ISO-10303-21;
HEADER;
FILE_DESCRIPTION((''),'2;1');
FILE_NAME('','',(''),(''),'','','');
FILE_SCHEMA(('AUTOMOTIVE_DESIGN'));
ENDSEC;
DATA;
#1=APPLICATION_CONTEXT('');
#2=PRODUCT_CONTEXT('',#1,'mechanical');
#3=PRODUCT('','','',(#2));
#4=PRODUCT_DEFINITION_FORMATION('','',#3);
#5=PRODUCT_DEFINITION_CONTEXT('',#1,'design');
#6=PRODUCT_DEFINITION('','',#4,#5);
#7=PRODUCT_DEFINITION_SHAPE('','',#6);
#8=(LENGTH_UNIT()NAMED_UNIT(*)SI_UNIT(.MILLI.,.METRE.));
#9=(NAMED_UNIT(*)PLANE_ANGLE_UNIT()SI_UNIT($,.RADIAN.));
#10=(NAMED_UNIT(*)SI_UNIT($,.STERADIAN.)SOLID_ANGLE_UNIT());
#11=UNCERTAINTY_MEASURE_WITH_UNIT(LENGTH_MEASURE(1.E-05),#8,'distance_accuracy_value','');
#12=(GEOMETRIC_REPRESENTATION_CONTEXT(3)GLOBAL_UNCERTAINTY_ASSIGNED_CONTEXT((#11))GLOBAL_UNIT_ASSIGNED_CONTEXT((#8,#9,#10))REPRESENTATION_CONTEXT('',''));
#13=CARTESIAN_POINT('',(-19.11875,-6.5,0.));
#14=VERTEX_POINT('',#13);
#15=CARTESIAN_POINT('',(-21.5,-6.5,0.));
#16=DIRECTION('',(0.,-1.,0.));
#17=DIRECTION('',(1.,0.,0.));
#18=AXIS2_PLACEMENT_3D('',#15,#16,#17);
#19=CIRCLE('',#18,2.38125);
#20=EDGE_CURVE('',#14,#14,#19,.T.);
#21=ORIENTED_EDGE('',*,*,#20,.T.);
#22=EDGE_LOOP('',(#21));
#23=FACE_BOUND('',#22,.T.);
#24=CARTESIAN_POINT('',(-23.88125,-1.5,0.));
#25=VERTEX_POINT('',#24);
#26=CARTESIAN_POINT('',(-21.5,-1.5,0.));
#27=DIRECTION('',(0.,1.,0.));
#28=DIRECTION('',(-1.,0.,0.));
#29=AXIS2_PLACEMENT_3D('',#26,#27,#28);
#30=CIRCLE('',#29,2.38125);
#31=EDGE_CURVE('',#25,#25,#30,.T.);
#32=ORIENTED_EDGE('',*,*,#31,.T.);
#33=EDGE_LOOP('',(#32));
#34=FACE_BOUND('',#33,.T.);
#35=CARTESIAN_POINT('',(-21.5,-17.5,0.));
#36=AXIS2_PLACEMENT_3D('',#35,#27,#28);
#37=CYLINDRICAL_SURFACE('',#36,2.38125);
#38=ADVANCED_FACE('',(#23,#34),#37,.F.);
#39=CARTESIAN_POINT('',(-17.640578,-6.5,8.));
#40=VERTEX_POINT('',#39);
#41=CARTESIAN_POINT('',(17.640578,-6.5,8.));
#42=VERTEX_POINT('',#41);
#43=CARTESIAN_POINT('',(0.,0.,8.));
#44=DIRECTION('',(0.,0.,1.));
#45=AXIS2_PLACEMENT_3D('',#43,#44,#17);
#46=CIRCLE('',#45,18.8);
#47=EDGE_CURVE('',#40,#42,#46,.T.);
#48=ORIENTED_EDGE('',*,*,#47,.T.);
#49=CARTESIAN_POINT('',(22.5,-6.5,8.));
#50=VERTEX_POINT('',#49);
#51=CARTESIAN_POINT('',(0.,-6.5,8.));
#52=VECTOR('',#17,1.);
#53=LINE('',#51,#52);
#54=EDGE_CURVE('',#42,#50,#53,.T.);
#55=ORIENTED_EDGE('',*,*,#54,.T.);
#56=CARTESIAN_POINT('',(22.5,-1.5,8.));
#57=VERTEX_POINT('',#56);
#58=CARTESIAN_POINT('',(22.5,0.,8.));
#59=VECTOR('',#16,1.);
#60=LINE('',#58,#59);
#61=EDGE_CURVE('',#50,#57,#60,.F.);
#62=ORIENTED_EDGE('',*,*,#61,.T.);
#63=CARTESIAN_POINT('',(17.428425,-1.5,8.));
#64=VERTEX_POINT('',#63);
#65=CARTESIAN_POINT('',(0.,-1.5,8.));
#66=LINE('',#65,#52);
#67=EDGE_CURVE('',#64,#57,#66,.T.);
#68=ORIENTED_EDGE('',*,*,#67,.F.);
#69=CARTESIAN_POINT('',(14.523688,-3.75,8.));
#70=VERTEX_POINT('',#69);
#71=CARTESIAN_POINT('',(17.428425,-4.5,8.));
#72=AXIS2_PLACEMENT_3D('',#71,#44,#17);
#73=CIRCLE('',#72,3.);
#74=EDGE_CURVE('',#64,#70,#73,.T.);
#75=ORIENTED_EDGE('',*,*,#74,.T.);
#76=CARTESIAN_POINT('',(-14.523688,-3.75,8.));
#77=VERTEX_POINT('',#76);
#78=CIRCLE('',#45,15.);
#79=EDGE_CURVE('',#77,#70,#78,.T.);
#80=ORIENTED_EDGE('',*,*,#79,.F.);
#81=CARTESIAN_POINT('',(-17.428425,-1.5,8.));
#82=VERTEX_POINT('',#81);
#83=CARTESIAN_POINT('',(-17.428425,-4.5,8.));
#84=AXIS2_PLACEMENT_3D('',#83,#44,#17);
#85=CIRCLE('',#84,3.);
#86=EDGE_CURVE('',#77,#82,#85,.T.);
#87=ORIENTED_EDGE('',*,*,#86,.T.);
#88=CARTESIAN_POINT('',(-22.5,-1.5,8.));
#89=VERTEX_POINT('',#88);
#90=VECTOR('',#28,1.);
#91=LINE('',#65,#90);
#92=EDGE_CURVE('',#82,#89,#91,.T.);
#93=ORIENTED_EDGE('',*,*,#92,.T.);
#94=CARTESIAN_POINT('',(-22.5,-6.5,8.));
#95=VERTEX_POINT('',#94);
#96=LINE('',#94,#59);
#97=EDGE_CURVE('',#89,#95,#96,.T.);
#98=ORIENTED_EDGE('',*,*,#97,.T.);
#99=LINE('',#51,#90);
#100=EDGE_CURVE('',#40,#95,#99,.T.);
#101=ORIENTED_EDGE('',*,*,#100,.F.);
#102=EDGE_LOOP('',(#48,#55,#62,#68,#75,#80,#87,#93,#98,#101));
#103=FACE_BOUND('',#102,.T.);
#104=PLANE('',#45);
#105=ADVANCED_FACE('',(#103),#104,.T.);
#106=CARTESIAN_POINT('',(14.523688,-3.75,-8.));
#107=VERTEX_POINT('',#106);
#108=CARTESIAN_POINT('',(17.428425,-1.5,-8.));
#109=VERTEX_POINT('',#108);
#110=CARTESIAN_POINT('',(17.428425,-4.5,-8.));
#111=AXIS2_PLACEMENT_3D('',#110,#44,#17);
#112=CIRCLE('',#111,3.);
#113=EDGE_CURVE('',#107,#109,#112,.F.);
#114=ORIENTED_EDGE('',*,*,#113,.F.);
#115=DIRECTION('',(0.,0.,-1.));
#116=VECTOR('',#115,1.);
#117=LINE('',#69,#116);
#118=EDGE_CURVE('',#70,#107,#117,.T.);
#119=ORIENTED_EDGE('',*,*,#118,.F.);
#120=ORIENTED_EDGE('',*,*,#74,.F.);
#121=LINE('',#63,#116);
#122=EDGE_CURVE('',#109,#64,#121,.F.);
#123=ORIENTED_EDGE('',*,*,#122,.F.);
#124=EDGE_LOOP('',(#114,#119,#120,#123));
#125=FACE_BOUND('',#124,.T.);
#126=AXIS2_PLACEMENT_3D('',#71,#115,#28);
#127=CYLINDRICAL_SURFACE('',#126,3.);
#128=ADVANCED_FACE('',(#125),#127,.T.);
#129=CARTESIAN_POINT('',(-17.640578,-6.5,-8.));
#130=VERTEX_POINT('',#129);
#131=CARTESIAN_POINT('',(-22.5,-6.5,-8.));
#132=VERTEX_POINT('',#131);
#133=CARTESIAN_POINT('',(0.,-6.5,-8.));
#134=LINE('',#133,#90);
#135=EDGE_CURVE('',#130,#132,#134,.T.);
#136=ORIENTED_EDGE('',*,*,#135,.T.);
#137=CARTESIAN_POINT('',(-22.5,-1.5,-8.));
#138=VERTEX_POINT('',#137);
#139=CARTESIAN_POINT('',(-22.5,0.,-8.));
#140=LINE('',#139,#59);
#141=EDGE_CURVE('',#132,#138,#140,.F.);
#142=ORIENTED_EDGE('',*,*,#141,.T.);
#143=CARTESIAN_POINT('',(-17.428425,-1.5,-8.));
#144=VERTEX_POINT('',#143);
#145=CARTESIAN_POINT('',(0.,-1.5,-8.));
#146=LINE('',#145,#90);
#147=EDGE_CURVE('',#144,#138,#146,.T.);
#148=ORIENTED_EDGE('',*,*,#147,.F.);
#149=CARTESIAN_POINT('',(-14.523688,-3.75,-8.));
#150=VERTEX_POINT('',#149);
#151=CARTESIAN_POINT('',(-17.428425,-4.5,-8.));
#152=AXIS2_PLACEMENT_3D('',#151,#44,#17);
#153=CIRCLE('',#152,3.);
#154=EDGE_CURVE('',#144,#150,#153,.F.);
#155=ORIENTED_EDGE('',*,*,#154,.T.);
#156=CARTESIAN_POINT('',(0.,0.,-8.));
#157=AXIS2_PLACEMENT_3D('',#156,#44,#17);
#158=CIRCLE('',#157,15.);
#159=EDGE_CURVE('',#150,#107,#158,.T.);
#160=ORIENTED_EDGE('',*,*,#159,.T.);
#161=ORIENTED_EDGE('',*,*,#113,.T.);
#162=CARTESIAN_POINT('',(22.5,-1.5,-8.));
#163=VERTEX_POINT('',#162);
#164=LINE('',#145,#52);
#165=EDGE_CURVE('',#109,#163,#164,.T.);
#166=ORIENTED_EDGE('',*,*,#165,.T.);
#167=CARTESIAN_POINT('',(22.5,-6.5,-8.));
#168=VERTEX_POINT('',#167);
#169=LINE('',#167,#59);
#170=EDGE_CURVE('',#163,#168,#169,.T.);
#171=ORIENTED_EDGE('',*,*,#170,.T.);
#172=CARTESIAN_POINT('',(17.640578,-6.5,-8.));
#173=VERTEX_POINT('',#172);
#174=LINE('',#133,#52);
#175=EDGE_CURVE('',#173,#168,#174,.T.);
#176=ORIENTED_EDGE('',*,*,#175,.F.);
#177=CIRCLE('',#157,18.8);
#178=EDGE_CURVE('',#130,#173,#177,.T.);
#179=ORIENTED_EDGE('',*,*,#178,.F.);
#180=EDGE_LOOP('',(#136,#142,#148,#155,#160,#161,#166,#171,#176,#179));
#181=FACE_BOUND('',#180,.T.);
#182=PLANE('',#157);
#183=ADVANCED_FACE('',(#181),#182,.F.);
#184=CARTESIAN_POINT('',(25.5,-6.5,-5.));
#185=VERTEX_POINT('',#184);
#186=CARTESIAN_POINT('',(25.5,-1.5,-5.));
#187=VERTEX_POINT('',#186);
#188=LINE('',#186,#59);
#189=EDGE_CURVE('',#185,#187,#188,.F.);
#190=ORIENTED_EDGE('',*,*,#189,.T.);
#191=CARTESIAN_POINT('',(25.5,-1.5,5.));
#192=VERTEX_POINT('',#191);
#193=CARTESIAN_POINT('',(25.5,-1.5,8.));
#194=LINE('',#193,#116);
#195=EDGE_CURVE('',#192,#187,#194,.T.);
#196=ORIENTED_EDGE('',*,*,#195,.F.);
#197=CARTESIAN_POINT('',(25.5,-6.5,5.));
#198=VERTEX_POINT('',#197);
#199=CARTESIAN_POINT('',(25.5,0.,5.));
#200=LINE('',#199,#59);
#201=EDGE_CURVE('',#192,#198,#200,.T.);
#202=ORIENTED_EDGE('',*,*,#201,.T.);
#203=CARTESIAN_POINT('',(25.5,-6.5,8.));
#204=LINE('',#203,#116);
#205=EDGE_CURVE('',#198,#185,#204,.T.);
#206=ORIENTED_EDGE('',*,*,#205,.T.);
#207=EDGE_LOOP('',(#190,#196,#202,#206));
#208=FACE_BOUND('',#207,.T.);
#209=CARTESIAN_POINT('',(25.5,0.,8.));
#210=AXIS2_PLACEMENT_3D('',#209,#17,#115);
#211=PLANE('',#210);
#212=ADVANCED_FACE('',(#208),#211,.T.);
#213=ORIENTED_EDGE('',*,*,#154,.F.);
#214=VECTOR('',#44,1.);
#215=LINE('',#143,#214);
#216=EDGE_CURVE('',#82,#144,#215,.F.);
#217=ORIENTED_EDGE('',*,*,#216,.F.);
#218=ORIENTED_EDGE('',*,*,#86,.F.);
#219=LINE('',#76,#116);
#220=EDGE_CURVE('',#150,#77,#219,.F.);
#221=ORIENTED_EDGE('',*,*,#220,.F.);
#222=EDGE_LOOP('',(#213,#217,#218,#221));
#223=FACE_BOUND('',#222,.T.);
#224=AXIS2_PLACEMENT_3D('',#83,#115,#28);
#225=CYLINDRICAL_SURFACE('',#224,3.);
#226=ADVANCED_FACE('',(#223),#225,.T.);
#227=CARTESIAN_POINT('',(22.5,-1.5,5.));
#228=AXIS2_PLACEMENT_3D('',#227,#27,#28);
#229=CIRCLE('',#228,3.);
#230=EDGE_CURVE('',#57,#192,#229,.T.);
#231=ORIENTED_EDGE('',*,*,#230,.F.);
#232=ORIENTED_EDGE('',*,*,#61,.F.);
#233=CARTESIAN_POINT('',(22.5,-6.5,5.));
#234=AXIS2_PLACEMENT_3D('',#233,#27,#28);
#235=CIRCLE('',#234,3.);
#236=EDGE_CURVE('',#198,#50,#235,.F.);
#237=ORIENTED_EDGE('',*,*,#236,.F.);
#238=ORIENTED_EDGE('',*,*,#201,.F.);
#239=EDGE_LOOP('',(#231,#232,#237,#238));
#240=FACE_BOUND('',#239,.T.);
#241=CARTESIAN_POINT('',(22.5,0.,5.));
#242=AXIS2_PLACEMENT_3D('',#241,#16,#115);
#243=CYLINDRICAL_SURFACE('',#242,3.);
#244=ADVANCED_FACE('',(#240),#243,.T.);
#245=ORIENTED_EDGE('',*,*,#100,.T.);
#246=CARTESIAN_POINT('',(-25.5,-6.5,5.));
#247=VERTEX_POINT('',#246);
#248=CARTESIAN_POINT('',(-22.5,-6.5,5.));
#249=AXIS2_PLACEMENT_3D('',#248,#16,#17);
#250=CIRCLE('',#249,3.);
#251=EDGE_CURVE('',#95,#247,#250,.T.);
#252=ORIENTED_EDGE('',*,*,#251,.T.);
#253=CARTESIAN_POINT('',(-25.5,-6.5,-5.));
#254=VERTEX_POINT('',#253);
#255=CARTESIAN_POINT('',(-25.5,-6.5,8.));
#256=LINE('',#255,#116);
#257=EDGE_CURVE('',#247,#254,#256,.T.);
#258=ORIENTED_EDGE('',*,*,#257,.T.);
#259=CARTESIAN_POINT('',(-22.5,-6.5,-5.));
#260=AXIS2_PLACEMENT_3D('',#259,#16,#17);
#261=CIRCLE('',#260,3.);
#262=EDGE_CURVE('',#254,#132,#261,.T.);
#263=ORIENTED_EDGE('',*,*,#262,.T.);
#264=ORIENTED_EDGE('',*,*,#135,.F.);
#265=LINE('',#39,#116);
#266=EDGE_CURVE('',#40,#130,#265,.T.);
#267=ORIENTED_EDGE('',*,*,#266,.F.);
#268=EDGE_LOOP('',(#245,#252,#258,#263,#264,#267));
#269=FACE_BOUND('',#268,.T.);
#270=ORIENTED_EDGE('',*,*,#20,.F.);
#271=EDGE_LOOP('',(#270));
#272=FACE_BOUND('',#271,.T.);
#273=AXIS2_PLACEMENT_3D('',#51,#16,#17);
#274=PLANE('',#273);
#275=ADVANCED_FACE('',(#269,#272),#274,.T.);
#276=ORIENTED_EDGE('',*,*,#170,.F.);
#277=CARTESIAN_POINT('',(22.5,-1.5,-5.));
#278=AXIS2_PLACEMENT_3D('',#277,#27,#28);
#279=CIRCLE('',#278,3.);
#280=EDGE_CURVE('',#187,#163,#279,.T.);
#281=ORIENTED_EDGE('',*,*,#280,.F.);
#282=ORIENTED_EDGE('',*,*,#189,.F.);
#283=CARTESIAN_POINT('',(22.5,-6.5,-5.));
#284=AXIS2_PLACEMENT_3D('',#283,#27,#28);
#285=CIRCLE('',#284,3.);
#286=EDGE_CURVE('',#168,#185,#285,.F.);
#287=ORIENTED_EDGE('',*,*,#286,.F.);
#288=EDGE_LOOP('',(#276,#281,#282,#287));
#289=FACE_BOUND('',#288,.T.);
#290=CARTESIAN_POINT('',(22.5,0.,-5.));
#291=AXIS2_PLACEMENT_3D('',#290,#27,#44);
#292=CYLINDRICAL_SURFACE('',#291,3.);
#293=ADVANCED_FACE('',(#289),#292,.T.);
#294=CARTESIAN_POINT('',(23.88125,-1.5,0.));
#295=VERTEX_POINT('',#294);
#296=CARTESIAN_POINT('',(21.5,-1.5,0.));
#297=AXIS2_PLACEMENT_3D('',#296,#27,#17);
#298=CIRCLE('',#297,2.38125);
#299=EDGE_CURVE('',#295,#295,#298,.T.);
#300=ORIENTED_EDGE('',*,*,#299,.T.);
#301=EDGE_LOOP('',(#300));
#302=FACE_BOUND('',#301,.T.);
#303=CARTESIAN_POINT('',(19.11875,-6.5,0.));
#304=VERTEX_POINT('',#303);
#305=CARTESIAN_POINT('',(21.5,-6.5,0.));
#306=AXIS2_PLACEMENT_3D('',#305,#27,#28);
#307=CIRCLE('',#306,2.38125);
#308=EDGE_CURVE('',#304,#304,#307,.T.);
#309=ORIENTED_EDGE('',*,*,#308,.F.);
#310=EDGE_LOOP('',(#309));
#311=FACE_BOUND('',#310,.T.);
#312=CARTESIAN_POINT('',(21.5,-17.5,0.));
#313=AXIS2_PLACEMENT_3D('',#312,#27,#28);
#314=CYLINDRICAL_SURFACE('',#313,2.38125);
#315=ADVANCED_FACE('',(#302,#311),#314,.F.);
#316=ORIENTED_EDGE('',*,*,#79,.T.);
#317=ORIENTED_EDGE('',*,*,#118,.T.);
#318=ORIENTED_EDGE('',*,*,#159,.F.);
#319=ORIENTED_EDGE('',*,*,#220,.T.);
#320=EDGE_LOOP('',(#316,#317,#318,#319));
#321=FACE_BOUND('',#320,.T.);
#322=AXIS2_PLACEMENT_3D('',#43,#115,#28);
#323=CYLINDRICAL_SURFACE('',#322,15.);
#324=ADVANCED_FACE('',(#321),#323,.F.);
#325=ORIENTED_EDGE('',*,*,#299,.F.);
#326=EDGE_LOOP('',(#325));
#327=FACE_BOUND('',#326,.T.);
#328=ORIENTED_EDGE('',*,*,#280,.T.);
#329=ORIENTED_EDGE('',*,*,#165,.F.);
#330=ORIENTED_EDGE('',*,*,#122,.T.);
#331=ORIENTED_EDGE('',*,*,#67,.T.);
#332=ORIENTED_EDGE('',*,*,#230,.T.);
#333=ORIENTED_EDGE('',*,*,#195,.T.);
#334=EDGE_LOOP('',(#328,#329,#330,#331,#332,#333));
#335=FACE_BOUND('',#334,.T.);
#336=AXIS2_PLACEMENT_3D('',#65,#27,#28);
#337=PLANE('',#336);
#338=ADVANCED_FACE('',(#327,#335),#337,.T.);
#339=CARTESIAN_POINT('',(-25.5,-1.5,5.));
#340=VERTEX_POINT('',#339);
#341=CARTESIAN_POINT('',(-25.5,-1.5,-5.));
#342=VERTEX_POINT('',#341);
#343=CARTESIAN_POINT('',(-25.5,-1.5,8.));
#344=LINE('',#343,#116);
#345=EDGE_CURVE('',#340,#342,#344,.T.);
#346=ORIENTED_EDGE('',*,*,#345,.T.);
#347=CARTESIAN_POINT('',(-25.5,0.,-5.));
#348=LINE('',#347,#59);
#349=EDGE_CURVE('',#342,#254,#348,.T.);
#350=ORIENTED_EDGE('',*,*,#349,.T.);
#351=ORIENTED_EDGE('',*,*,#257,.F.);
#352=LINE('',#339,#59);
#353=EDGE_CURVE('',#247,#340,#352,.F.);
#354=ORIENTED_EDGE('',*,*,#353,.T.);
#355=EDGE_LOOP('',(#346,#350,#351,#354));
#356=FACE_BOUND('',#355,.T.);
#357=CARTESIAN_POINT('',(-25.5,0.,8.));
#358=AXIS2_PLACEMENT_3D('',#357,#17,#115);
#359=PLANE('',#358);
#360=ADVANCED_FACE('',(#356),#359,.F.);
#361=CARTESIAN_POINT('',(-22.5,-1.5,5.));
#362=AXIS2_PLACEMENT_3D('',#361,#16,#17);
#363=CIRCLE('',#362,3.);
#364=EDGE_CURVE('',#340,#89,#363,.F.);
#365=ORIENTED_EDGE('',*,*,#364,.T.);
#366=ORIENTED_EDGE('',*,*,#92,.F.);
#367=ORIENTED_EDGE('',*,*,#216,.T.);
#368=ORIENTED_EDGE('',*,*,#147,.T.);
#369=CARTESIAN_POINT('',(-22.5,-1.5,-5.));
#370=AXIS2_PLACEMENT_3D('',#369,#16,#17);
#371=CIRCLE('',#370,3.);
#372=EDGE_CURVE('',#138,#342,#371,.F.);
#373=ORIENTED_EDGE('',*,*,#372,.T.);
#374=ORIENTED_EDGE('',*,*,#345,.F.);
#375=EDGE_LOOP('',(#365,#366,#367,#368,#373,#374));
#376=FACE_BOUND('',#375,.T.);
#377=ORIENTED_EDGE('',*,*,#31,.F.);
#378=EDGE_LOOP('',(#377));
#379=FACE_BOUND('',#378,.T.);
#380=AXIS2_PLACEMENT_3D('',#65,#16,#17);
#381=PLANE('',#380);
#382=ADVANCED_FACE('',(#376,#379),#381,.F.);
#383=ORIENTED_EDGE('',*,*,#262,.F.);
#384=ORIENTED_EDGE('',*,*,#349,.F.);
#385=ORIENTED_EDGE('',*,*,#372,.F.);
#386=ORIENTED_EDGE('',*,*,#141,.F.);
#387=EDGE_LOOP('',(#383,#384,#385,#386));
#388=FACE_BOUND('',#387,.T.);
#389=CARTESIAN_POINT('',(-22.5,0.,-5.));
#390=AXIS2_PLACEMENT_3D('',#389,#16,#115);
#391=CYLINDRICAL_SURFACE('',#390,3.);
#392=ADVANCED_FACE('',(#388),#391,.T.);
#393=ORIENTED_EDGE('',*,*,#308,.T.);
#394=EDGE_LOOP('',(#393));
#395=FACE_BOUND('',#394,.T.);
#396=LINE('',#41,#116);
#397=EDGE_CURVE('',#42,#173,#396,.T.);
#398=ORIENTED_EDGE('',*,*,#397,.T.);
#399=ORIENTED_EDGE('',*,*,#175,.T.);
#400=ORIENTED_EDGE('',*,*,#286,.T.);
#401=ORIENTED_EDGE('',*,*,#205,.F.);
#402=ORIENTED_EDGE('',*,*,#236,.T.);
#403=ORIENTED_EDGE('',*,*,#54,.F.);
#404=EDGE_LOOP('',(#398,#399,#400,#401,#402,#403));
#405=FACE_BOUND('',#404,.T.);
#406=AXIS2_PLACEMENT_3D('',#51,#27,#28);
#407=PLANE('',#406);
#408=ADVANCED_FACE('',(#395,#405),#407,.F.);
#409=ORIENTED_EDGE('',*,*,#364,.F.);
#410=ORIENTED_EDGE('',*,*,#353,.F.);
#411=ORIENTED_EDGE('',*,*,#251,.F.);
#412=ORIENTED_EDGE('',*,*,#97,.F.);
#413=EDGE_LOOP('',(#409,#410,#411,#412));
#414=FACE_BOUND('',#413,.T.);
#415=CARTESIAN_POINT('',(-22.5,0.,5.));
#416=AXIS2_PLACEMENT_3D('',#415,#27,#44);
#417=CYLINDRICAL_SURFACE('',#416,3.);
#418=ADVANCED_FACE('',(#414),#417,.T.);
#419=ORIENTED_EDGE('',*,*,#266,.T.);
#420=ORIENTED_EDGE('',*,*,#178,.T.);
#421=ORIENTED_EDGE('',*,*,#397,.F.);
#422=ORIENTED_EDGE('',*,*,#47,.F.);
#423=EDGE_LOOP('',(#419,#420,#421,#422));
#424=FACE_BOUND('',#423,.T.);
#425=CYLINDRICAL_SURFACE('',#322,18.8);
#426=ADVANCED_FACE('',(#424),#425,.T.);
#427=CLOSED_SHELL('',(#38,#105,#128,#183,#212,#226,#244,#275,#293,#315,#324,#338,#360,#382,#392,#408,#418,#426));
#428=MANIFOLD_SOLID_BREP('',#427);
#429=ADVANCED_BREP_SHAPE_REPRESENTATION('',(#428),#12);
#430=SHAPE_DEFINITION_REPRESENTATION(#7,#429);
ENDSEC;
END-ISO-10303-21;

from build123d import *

# Parameters (mm, degrees)
SALIENTE_EXTRUIR1_DEPTH = 8
CROQUIS2_R              = 2.38125
CORTAR_EXTRUIR1_DEPTH   = 16
REDONDEO1_R             = 3


with BuildPart() as part:
    # Croquis1 → Saliente-Extruir1 (new, symmetric)
    with BuildSketch(Plane.XY):
        with BuildLine():
            Line((25.5, -1.5), (18.740064034, -1.5))
            ThreePointArc((18.740064034, -1.5), (18.361312119, -4.037600434), (17.640578222, -6.5))
            Line((17.640578222, -6.5), (25.5, -6.5))
            Line((25.5, -6.5), (25.5, -1.5))
        make_face()
        with BuildLine():
            Line((18.740064034, -1.5), (14.924811557, -1.5))
            ThreePointArc((14.924811557, -1.5), (14.43972216, -4.06133278), (13.518505835, -6.5))
            Line((13.518505835, -6.5), (17.640578222, -6.5))
            ThreePointArc((17.640578222, -6.5), (18.361312119, -4.037600434), (18.740064034, -1.5))
        make_face()
        with BuildLine():
            ThreePointArc((13.518505835, -6.5), (0, -15), (-13.518505835, -6.5))
            Line((-13.518505835, -6.5), (-17.640578222, -6.5))
            ThreePointArc((-17.640578222, -6.5), (0, -18.8), (17.640578222, -6.5))
            Line((17.640578222, -6.5), (13.518505835, -6.5))
        make_face()
        with BuildLine():
            ThreePointArc((-13.518505835, -6.5), (-14.43972216, -4.06133278), (-14.924811557, -1.5))
            Line((-14.924811557, -1.5), (-18.740064034, -1.5))
            ThreePointArc((-18.740064034, -1.5), (-18.361312119, -4.037600434), (-17.640578222, -6.5))
            Line((-17.640578222, -6.5), (-13.518505835, -6.5))
        make_face()
        with BuildLine():
            ThreePointArc((-17.640578222, -6.5), (-18.361312119, -4.037600434), (-18.740064034, -1.5))
            Line((-18.740064034, -1.5), (-25.5, -1.5))
            Line((-25.5, -1.5), (-25.5, -6.5))
            Line((-25.5, -6.5), (-17.640578222, -6.5))
        make_face()
    extrude(amount=SALIENTE_EXTRUIR1_DEPTH, both=True)

    # Croquis2 → Cortar-Extruir1 (cut)
    with BuildSketch(Plane(origin=(0, -1.5, 0), x_dir=(1, 0, 0), z_dir=(0, 1, 0))):
        with Locations(Location((-21.5, 0, 0), (0, 0, 180))):
            Circle(CROQUIS2_R)
        with Locations(Location((21.5, 0, 0), (0, 0, 180))):
            Circle(CROQUIS2_R)
    extrude(amount=-CORTAR_EXTRUIR1_DEPTH, mode=Mode.SUBTRACT)

    # Redondeo1
    redondeo1_edges = [part.edges().sort_by_distance(p)[0] for p in [
        (25.5, -4, -8),
        (-25.5, -4, -8),
        (-14.924811557, -1.5, 0),
        (14.924811557, -1.5, 0),
        (-25.5, -4, 8),
        (25.5, -4, 8),
    ]]
    fillet(redondeo1_edges, radius=REDONDEO1_R)


solid = part.part
